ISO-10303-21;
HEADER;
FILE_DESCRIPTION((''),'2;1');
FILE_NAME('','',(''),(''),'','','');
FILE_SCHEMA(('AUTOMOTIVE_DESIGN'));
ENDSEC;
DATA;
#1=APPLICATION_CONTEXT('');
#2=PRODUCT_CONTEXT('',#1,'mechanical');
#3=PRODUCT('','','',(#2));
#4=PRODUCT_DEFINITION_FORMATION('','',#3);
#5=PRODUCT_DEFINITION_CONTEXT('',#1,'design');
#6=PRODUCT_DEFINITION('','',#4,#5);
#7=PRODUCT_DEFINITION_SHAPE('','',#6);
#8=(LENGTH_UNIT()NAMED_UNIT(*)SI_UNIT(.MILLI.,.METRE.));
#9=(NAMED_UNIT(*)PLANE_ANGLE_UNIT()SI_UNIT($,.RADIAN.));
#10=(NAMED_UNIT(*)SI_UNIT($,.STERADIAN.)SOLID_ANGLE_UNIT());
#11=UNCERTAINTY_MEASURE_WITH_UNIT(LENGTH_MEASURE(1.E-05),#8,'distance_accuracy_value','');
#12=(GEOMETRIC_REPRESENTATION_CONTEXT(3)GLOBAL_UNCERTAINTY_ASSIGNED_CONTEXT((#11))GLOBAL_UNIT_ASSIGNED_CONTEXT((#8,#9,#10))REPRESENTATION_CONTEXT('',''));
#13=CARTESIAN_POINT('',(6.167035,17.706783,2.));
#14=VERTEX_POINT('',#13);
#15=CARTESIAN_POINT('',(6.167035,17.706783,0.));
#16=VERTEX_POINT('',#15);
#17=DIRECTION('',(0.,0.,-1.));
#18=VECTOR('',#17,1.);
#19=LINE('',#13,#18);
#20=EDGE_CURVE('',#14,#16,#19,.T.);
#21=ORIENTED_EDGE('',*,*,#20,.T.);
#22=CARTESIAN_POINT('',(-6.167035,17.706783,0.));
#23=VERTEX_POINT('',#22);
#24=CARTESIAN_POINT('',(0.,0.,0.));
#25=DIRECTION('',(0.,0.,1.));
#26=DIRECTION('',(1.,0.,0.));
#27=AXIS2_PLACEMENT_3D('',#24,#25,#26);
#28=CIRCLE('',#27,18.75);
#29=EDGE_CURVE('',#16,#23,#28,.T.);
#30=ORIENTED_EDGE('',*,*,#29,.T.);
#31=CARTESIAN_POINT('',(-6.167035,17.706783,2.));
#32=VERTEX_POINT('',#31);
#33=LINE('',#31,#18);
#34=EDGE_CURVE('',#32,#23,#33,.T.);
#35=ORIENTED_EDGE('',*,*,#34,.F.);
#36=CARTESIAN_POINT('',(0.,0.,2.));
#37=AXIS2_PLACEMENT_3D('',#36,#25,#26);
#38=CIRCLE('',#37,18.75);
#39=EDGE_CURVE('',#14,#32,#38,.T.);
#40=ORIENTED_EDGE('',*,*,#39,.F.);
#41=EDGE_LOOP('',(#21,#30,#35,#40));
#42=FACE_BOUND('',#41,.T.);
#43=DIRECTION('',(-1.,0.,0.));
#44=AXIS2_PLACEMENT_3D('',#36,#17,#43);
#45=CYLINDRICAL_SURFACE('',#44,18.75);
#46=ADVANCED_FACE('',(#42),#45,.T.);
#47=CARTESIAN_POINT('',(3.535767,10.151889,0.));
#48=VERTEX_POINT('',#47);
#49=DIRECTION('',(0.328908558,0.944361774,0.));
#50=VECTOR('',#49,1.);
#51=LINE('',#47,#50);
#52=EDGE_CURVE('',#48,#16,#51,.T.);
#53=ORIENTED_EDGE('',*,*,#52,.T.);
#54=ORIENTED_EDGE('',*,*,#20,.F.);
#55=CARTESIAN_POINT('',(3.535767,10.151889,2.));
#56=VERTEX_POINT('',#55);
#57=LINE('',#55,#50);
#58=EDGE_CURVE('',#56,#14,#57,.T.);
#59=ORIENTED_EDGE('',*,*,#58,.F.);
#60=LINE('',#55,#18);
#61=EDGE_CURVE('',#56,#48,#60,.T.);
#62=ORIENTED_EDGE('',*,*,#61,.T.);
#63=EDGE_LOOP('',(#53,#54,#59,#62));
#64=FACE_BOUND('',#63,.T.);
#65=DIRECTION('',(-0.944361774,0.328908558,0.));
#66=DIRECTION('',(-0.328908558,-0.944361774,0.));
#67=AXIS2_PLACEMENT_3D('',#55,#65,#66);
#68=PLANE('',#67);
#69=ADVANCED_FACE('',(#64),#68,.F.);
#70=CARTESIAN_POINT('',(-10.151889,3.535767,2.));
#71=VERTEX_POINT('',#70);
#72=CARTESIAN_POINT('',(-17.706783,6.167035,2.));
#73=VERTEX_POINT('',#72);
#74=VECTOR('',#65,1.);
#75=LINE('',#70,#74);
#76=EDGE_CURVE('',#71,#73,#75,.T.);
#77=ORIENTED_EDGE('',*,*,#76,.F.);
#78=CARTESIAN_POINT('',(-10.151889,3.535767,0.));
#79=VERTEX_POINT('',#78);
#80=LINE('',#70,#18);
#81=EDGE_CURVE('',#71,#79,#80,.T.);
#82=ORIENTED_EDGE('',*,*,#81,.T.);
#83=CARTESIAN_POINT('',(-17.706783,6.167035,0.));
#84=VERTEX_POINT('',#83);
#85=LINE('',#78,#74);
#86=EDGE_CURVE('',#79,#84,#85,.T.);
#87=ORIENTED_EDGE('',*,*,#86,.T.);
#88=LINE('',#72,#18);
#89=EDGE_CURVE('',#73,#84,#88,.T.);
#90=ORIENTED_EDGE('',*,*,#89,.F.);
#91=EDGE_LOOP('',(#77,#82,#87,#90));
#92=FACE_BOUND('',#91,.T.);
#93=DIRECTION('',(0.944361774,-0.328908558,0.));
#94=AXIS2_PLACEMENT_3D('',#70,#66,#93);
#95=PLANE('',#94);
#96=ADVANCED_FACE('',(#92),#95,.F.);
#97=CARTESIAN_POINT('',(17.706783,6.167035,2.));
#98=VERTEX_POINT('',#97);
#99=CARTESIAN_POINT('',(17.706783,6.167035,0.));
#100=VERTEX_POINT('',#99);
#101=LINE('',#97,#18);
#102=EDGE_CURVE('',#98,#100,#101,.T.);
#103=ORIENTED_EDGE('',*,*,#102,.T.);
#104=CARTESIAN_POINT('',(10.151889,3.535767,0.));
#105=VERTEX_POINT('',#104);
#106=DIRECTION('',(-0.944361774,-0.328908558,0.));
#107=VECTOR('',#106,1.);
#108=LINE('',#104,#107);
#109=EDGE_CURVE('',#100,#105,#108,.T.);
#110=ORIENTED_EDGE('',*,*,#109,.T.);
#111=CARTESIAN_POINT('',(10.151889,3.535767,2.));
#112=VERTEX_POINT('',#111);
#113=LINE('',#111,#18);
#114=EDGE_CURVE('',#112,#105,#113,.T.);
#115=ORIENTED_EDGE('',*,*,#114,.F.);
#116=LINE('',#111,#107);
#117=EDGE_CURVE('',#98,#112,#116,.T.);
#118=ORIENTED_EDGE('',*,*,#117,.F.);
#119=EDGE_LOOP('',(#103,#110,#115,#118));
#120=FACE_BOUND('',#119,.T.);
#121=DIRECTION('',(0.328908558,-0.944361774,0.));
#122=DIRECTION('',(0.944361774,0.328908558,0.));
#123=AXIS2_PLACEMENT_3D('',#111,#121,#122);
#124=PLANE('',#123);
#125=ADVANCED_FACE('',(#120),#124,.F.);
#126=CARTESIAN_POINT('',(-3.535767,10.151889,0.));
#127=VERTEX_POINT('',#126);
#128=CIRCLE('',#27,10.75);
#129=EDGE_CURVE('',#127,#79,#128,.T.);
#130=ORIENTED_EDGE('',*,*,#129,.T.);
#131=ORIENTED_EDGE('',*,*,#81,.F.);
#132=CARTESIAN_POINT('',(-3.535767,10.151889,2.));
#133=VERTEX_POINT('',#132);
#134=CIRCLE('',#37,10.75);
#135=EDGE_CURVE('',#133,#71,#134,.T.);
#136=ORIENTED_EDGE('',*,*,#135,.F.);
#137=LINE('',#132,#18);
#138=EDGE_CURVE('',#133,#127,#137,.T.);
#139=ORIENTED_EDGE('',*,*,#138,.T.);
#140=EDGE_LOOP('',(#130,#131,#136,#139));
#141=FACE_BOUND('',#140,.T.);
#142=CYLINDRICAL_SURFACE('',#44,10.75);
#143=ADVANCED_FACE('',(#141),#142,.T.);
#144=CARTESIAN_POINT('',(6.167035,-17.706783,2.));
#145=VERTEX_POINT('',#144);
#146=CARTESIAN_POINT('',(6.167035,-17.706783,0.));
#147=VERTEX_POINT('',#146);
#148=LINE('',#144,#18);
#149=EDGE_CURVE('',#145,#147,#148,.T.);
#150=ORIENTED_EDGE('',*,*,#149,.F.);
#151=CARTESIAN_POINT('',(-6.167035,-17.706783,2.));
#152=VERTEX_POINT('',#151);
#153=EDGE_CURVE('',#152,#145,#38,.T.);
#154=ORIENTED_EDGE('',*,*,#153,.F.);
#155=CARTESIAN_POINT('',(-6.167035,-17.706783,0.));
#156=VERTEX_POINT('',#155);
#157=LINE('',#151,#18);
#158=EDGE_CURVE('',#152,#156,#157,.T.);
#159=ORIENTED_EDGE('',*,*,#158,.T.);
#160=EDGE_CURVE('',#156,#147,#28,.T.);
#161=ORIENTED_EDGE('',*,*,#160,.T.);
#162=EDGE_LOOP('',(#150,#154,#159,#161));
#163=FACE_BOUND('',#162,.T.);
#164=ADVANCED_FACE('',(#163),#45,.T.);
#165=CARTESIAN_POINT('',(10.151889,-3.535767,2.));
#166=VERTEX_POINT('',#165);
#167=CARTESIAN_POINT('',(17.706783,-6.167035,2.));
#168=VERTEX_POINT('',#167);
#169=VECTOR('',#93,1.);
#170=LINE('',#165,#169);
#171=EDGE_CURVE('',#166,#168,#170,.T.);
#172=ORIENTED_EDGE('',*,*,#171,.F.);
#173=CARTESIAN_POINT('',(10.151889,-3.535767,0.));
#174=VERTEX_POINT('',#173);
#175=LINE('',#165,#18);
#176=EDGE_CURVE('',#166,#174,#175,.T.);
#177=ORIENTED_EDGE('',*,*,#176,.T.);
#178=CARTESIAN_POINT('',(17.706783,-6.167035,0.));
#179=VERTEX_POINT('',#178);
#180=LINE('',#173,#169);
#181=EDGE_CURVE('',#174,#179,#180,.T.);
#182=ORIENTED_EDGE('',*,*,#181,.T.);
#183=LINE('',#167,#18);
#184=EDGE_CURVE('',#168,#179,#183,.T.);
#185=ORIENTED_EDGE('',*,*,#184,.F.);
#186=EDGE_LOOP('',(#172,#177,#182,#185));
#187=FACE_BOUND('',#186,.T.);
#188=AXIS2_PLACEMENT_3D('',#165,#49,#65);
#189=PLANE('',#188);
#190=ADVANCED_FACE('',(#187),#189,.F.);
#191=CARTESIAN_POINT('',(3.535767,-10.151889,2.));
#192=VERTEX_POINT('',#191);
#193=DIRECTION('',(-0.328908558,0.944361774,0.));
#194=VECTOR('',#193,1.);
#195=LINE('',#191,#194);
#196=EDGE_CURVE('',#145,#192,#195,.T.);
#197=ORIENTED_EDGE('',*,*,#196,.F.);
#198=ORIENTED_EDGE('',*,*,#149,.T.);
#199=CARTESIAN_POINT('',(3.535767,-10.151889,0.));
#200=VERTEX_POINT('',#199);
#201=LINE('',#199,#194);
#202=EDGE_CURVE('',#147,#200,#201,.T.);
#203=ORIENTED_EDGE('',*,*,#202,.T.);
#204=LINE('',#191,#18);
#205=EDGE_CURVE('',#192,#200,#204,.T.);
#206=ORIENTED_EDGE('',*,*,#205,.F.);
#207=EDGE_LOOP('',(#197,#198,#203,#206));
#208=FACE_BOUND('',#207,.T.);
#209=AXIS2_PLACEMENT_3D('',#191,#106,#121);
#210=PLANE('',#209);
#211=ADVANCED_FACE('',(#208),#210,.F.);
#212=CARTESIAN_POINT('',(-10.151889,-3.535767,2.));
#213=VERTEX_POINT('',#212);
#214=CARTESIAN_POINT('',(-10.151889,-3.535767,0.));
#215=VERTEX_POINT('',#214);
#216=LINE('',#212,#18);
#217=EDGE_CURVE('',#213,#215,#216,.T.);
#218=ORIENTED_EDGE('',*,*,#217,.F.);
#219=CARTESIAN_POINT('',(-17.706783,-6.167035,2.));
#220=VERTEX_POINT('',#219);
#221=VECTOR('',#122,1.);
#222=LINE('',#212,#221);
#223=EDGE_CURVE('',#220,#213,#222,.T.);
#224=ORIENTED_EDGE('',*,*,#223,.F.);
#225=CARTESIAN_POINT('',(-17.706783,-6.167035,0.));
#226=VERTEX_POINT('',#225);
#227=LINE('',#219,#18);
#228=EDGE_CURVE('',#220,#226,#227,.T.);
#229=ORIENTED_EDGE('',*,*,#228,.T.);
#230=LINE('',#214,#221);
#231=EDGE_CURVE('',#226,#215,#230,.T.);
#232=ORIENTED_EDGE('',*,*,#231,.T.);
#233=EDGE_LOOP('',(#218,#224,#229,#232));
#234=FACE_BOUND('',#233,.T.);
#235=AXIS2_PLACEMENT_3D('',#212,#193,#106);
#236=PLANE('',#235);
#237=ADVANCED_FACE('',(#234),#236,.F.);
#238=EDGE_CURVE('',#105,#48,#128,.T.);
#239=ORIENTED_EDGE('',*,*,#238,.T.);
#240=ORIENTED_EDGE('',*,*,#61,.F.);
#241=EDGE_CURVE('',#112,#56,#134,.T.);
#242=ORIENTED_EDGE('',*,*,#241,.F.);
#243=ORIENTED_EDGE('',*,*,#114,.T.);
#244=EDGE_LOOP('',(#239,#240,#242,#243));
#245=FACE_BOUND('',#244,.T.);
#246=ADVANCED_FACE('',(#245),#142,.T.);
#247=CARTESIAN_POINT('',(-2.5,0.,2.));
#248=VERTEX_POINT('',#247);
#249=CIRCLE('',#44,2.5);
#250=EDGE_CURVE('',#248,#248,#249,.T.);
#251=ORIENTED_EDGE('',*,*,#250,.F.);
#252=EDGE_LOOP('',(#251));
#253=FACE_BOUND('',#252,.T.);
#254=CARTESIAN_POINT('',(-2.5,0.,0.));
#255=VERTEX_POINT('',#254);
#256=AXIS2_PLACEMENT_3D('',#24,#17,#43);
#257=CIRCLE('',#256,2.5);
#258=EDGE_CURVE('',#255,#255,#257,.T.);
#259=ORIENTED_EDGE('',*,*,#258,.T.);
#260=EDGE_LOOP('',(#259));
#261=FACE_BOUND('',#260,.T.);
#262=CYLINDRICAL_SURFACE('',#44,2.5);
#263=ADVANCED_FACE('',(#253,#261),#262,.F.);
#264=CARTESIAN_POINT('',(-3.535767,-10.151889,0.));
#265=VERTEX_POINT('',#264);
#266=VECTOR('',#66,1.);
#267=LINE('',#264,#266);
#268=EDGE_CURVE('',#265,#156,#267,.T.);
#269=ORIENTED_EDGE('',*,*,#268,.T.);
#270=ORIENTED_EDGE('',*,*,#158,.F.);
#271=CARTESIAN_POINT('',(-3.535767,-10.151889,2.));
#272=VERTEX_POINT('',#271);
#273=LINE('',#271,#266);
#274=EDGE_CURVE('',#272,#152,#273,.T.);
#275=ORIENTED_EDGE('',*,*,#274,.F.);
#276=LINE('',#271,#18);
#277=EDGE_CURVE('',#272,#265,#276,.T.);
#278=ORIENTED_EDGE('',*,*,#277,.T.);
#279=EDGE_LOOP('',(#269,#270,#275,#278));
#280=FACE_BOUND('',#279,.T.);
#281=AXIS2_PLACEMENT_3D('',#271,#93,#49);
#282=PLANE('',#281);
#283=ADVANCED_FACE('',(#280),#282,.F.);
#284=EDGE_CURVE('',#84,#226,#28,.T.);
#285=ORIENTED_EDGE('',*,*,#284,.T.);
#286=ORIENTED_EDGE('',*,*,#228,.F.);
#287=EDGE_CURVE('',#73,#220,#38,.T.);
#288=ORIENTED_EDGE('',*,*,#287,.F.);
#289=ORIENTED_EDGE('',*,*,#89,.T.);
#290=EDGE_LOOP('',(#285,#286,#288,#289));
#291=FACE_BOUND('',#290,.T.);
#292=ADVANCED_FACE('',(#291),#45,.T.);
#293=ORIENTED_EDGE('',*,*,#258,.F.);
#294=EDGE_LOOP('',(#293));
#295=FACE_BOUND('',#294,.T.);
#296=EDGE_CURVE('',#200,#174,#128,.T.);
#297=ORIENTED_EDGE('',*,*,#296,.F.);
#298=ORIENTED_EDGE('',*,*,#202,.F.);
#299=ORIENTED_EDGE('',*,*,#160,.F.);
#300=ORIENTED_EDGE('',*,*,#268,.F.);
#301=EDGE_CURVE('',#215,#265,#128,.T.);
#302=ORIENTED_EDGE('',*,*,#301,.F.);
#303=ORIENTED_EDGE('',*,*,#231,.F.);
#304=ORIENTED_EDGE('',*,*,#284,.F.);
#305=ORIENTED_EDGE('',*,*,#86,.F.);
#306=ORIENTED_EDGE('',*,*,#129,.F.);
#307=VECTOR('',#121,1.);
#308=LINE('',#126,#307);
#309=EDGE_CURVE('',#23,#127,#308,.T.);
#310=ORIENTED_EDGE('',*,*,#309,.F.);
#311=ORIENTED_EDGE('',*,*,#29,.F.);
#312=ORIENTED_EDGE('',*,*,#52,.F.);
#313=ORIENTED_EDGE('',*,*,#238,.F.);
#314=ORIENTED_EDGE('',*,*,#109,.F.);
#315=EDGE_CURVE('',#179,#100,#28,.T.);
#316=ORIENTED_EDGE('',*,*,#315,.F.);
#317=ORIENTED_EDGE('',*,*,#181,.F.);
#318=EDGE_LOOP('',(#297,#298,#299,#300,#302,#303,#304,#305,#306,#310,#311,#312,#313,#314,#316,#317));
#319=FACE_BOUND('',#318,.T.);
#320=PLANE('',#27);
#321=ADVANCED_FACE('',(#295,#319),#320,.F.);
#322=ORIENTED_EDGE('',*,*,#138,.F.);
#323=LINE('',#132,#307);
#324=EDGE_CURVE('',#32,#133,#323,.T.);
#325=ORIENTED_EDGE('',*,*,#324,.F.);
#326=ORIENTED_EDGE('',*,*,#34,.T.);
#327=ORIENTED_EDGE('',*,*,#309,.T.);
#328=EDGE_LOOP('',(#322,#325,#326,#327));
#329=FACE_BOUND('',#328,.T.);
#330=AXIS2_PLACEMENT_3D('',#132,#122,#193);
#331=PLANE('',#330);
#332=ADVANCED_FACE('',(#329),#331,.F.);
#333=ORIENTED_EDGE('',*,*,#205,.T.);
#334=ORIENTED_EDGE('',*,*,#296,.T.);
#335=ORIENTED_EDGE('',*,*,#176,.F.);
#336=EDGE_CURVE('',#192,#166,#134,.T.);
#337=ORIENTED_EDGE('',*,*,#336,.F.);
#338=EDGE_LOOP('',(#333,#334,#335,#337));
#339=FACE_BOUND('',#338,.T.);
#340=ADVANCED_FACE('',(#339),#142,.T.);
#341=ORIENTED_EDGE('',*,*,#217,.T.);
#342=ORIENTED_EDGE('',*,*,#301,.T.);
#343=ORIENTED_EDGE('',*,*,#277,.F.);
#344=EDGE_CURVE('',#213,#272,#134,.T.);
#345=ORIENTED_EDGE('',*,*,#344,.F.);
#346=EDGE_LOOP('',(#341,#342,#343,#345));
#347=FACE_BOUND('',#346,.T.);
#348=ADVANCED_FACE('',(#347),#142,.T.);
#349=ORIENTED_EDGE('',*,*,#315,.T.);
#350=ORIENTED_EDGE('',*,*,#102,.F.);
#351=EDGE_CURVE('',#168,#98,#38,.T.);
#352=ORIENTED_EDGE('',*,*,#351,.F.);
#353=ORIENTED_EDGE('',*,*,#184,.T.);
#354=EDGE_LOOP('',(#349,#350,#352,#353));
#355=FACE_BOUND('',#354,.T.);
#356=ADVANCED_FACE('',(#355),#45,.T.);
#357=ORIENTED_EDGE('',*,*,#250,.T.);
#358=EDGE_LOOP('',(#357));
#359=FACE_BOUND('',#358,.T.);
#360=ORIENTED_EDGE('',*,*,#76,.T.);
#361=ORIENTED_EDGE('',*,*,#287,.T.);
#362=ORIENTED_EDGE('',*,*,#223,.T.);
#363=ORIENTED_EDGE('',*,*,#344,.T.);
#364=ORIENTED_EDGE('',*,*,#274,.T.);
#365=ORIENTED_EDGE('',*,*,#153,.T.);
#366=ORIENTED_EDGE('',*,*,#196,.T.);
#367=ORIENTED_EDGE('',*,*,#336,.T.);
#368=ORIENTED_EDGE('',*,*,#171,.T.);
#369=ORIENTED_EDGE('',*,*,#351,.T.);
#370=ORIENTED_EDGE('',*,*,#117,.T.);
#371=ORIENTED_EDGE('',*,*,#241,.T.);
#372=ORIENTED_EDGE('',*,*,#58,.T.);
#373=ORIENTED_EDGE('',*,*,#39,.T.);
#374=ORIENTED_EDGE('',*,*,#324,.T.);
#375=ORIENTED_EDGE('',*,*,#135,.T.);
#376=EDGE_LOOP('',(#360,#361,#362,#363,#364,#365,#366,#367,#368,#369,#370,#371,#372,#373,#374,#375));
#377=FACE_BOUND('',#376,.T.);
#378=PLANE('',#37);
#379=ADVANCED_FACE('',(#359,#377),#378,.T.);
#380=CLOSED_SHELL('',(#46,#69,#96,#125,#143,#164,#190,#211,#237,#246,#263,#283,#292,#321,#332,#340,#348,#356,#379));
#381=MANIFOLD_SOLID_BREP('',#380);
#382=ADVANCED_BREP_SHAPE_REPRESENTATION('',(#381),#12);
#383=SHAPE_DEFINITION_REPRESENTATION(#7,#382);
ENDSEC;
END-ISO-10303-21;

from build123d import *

# Parameters (mm, degrees)
BOSS_EXTRUDE1_DEPTH = 2
SKETCH2_R           = 2.5
CUT_EXTRUDE1_DEPTH  = 27.591822051


with BuildPart() as part:
    # Sketch1 → Boss-Extrude1 (new body)
    with BuildSketch(Plane.XY):
        with BuildLine():
            Line((3.535767004, 10.15188907), (6.167035471, 17.706783262))
            ThreePointArc((6.167035471, 17.706783262), (0, 18.75), (-6.167035471, 17.706783262))
            Line((-6.167035471, 17.706783262), (-3.535767004, 10.15188907))
            ThreePointArc((-3.535767004, 10.15188907), (-7.601397898, 7.601397898), (-10.15188907, 3.535767004))
            Line((-10.15188907, 3.535767004), (-17.706783262, 6.167035471))
            ThreePointArc((-17.706783262, 6.167035471), (-18.75, 0), (-17.706783262, -6.167035471))
            Line((-17.706783262, -6.167035471), (-10.15188907, -3.535767004))
            ThreePointArc((-10.15188907, -3.535767004), (-7.601397898, -7.601397898), (-3.535767004, -10.15188907))
            Line((-3.535767004, -10.15188907), (-6.167035471, -17.706783262))
            ThreePointArc((-6.167035471, -17.706783262), (0, -18.75), (6.167035471, -17.706783262))
            Line((6.167035471, -17.706783262), (3.535767004, -10.15188907))
            ThreePointArc((3.535767004, -10.15188907), (7.601397898, -7.601397898), (10.15188907, -3.535767004))
            Line((10.15188907, -3.535767004), (17.706783262, -6.167035471))
            ThreePointArc((17.706783262, -6.167035471), (18.75, 0), (17.706783262, 6.167035471))
            Line((17.706783262, 6.167035471), (10.15188907, 3.535767004))
            ThreePointArc((10.15188907, 3.535767004), (7.601397898, 7.601397898), (3.535767004, 10.15188907))
        make_face()
    extrude(amount=BOSS_EXTRUDE1_DEPTH)

    # Sketch2 → Cut-Extrude1 (cut, through all)
    with BuildSketch(Plane(origin=(0, 0, 0), x_dir=(-1, 0, 0), z_dir=(0, 0, -1))):
        Circle(SKETCH2_R)
    extrude(amount=-CUT_EXTRUDE1_DEPTH, mode=Mode.SUBTRACT)


solid = part.part
